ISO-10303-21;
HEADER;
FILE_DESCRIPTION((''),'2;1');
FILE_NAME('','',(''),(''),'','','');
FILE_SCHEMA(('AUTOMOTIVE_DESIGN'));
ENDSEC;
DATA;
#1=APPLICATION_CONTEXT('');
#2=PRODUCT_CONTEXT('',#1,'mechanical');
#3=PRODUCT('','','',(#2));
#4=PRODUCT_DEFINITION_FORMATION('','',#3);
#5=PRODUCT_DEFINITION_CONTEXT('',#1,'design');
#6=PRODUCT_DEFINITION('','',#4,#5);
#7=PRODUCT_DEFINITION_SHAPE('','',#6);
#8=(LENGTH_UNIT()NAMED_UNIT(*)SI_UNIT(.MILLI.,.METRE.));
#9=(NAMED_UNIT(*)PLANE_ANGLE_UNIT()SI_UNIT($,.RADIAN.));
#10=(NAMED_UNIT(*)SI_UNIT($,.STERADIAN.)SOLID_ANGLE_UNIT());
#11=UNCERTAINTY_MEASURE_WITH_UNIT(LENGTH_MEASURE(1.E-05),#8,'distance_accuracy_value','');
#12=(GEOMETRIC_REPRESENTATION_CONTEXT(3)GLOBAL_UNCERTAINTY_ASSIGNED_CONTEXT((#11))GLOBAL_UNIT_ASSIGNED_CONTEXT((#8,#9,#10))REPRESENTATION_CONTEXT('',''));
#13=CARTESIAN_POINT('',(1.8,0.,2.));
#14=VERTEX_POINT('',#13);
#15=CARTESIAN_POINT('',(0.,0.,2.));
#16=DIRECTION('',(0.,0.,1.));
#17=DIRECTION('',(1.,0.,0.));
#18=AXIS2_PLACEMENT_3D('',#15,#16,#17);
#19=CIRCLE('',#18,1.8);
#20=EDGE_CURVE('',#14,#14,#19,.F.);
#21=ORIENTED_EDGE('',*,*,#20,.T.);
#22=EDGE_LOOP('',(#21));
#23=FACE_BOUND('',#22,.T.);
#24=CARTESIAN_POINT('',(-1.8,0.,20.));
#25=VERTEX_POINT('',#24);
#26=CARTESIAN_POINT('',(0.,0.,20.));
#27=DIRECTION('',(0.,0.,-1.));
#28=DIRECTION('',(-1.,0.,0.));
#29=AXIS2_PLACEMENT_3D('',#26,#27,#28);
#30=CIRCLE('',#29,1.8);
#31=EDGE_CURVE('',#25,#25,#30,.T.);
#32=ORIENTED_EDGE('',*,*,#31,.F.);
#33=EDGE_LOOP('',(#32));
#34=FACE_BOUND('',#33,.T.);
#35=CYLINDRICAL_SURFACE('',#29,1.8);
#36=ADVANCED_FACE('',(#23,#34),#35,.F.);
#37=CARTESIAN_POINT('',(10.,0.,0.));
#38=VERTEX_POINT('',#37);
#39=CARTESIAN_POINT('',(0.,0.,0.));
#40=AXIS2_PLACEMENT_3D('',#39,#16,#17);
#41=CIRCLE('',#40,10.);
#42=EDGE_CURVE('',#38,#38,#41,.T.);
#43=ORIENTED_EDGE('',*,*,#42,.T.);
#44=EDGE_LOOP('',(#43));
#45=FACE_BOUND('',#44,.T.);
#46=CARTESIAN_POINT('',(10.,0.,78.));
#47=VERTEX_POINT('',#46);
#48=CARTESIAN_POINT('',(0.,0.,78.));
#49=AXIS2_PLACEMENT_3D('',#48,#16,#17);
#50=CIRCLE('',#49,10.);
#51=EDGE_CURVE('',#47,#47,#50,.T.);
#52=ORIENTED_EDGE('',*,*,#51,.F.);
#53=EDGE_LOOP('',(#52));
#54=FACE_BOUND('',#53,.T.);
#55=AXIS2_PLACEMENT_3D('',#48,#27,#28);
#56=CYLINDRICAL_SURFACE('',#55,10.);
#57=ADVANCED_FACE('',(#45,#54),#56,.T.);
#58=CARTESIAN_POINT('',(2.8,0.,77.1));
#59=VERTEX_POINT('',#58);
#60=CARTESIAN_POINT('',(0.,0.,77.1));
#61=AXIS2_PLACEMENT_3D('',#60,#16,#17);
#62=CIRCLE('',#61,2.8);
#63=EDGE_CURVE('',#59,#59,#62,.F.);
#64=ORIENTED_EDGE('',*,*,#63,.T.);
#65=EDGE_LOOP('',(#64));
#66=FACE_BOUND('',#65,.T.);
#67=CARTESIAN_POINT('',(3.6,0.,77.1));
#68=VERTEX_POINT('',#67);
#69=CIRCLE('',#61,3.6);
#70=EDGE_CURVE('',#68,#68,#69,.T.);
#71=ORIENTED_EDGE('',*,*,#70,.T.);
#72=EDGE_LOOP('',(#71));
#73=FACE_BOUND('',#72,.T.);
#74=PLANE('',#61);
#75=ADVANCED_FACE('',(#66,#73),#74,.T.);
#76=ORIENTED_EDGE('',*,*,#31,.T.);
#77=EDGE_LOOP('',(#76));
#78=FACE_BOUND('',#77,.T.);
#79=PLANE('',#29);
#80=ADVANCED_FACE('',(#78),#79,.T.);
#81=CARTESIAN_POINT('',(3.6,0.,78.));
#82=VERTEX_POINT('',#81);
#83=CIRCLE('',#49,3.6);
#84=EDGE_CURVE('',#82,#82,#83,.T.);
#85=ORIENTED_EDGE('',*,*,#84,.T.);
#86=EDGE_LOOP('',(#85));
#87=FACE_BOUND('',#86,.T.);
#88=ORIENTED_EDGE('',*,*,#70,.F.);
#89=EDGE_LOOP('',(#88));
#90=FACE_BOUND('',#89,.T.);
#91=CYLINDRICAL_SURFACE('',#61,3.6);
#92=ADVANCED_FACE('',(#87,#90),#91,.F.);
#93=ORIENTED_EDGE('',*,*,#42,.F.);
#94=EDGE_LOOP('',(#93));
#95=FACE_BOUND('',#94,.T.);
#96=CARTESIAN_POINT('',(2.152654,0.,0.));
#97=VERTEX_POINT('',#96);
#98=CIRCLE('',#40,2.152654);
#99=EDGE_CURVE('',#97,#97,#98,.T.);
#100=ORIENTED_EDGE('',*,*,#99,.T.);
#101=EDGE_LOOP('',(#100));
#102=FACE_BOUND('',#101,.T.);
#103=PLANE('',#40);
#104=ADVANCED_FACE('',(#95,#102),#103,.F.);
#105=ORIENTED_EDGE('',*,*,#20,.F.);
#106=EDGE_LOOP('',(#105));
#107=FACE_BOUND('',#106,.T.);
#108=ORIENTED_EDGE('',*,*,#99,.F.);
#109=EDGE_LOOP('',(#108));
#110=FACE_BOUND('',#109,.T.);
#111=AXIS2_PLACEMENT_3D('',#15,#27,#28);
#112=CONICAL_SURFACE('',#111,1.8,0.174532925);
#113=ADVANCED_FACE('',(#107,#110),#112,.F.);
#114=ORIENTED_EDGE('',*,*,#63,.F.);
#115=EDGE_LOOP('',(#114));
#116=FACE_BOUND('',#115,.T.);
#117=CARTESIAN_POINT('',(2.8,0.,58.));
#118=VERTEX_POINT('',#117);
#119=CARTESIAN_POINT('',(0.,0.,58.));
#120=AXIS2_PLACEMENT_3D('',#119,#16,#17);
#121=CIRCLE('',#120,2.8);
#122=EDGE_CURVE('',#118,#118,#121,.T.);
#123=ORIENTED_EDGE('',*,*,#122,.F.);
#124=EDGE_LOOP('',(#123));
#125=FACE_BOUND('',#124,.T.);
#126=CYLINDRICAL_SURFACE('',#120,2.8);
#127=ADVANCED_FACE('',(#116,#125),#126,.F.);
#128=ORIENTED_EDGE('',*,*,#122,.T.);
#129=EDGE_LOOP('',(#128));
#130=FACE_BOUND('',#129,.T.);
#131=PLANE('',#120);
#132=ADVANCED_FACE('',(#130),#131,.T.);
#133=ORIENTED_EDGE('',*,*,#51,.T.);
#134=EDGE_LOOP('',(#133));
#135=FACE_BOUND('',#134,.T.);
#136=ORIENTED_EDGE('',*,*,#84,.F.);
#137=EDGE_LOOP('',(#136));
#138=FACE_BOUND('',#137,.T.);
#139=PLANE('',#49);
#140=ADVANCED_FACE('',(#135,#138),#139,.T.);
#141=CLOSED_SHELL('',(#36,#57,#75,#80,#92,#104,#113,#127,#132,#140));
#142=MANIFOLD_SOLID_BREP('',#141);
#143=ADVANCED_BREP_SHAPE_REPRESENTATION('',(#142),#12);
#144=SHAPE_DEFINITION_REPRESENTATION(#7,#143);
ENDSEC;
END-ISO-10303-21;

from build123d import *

# Parameters (mm, degrees)
SKETCH1_R           = 10
BOSS_EXTRUDE1_DEPTH = 78
SKETCH2_R           = 2.8
CUT_EXTRUDE1_DEPTH  = 20
SKETCH3_R           = 3.6
CUT_EXTRUDE2_DEPTH  = 0.9
SKETCH4_R           = 1.8
CUT_EXTRUDE3_DEPTH  = 20
CHAMFER2_SIZE       = 2
CHAMFER2_SIZE2      = 0.352653961


with BuildPart() as part:
    # Sketch1 → Boss-Extrude1 (new body)
    with BuildSketch(Plane.XY):
        Circle(SKETCH1_R)
    extrude(amount=BOSS_EXTRUDE1_DEPTH)

    # Sketch2 → Cut-Extrude1 (cut)
    with BuildSketch(Plane.XY.offset(78)):
        Circle(SKETCH2_R)
    extrude(amount=-CUT_EXTRUDE1_DEPTH, mode=Mode.SUBTRACT)

    # Sketch3 → Cut-Extrude2 (cut)
    with BuildSketch(Plane.XY.offset(78)):
        Circle(SKETCH3_R)
    extrude(amount=-CUT_EXTRUDE2_DEPTH, mode=Mode.SUBTRACT)

    # Sketch4 → Cut-Extrude3 (cut)
    with BuildSketch(Plane(origin=(0, 0, 0), x_dir=(-1, 0, 0), z_dir=(0, 0, -1))):
        Circle(SKETCH4_R)
    extrude(amount=-CUT_EXTRUDE3_DEPTH, mode=Mode.SUBTRACT)

    # Chamfer2
    chamfer2_edges = [part.edges().sort_by_distance(p)[0] for p in [
        (1.8, 0, 0),
    ]]
    chamfer2_side = [part.faces().sort_by_distance(p)[0] for p in [
        (1.8, 0, 10),
    ]]
    chamfer(chamfer2_edges, length=CHAMFER2_SIZE, length2=CHAMFER2_SIZE2, reference=chamfer2_side[0])


solid = part.part
